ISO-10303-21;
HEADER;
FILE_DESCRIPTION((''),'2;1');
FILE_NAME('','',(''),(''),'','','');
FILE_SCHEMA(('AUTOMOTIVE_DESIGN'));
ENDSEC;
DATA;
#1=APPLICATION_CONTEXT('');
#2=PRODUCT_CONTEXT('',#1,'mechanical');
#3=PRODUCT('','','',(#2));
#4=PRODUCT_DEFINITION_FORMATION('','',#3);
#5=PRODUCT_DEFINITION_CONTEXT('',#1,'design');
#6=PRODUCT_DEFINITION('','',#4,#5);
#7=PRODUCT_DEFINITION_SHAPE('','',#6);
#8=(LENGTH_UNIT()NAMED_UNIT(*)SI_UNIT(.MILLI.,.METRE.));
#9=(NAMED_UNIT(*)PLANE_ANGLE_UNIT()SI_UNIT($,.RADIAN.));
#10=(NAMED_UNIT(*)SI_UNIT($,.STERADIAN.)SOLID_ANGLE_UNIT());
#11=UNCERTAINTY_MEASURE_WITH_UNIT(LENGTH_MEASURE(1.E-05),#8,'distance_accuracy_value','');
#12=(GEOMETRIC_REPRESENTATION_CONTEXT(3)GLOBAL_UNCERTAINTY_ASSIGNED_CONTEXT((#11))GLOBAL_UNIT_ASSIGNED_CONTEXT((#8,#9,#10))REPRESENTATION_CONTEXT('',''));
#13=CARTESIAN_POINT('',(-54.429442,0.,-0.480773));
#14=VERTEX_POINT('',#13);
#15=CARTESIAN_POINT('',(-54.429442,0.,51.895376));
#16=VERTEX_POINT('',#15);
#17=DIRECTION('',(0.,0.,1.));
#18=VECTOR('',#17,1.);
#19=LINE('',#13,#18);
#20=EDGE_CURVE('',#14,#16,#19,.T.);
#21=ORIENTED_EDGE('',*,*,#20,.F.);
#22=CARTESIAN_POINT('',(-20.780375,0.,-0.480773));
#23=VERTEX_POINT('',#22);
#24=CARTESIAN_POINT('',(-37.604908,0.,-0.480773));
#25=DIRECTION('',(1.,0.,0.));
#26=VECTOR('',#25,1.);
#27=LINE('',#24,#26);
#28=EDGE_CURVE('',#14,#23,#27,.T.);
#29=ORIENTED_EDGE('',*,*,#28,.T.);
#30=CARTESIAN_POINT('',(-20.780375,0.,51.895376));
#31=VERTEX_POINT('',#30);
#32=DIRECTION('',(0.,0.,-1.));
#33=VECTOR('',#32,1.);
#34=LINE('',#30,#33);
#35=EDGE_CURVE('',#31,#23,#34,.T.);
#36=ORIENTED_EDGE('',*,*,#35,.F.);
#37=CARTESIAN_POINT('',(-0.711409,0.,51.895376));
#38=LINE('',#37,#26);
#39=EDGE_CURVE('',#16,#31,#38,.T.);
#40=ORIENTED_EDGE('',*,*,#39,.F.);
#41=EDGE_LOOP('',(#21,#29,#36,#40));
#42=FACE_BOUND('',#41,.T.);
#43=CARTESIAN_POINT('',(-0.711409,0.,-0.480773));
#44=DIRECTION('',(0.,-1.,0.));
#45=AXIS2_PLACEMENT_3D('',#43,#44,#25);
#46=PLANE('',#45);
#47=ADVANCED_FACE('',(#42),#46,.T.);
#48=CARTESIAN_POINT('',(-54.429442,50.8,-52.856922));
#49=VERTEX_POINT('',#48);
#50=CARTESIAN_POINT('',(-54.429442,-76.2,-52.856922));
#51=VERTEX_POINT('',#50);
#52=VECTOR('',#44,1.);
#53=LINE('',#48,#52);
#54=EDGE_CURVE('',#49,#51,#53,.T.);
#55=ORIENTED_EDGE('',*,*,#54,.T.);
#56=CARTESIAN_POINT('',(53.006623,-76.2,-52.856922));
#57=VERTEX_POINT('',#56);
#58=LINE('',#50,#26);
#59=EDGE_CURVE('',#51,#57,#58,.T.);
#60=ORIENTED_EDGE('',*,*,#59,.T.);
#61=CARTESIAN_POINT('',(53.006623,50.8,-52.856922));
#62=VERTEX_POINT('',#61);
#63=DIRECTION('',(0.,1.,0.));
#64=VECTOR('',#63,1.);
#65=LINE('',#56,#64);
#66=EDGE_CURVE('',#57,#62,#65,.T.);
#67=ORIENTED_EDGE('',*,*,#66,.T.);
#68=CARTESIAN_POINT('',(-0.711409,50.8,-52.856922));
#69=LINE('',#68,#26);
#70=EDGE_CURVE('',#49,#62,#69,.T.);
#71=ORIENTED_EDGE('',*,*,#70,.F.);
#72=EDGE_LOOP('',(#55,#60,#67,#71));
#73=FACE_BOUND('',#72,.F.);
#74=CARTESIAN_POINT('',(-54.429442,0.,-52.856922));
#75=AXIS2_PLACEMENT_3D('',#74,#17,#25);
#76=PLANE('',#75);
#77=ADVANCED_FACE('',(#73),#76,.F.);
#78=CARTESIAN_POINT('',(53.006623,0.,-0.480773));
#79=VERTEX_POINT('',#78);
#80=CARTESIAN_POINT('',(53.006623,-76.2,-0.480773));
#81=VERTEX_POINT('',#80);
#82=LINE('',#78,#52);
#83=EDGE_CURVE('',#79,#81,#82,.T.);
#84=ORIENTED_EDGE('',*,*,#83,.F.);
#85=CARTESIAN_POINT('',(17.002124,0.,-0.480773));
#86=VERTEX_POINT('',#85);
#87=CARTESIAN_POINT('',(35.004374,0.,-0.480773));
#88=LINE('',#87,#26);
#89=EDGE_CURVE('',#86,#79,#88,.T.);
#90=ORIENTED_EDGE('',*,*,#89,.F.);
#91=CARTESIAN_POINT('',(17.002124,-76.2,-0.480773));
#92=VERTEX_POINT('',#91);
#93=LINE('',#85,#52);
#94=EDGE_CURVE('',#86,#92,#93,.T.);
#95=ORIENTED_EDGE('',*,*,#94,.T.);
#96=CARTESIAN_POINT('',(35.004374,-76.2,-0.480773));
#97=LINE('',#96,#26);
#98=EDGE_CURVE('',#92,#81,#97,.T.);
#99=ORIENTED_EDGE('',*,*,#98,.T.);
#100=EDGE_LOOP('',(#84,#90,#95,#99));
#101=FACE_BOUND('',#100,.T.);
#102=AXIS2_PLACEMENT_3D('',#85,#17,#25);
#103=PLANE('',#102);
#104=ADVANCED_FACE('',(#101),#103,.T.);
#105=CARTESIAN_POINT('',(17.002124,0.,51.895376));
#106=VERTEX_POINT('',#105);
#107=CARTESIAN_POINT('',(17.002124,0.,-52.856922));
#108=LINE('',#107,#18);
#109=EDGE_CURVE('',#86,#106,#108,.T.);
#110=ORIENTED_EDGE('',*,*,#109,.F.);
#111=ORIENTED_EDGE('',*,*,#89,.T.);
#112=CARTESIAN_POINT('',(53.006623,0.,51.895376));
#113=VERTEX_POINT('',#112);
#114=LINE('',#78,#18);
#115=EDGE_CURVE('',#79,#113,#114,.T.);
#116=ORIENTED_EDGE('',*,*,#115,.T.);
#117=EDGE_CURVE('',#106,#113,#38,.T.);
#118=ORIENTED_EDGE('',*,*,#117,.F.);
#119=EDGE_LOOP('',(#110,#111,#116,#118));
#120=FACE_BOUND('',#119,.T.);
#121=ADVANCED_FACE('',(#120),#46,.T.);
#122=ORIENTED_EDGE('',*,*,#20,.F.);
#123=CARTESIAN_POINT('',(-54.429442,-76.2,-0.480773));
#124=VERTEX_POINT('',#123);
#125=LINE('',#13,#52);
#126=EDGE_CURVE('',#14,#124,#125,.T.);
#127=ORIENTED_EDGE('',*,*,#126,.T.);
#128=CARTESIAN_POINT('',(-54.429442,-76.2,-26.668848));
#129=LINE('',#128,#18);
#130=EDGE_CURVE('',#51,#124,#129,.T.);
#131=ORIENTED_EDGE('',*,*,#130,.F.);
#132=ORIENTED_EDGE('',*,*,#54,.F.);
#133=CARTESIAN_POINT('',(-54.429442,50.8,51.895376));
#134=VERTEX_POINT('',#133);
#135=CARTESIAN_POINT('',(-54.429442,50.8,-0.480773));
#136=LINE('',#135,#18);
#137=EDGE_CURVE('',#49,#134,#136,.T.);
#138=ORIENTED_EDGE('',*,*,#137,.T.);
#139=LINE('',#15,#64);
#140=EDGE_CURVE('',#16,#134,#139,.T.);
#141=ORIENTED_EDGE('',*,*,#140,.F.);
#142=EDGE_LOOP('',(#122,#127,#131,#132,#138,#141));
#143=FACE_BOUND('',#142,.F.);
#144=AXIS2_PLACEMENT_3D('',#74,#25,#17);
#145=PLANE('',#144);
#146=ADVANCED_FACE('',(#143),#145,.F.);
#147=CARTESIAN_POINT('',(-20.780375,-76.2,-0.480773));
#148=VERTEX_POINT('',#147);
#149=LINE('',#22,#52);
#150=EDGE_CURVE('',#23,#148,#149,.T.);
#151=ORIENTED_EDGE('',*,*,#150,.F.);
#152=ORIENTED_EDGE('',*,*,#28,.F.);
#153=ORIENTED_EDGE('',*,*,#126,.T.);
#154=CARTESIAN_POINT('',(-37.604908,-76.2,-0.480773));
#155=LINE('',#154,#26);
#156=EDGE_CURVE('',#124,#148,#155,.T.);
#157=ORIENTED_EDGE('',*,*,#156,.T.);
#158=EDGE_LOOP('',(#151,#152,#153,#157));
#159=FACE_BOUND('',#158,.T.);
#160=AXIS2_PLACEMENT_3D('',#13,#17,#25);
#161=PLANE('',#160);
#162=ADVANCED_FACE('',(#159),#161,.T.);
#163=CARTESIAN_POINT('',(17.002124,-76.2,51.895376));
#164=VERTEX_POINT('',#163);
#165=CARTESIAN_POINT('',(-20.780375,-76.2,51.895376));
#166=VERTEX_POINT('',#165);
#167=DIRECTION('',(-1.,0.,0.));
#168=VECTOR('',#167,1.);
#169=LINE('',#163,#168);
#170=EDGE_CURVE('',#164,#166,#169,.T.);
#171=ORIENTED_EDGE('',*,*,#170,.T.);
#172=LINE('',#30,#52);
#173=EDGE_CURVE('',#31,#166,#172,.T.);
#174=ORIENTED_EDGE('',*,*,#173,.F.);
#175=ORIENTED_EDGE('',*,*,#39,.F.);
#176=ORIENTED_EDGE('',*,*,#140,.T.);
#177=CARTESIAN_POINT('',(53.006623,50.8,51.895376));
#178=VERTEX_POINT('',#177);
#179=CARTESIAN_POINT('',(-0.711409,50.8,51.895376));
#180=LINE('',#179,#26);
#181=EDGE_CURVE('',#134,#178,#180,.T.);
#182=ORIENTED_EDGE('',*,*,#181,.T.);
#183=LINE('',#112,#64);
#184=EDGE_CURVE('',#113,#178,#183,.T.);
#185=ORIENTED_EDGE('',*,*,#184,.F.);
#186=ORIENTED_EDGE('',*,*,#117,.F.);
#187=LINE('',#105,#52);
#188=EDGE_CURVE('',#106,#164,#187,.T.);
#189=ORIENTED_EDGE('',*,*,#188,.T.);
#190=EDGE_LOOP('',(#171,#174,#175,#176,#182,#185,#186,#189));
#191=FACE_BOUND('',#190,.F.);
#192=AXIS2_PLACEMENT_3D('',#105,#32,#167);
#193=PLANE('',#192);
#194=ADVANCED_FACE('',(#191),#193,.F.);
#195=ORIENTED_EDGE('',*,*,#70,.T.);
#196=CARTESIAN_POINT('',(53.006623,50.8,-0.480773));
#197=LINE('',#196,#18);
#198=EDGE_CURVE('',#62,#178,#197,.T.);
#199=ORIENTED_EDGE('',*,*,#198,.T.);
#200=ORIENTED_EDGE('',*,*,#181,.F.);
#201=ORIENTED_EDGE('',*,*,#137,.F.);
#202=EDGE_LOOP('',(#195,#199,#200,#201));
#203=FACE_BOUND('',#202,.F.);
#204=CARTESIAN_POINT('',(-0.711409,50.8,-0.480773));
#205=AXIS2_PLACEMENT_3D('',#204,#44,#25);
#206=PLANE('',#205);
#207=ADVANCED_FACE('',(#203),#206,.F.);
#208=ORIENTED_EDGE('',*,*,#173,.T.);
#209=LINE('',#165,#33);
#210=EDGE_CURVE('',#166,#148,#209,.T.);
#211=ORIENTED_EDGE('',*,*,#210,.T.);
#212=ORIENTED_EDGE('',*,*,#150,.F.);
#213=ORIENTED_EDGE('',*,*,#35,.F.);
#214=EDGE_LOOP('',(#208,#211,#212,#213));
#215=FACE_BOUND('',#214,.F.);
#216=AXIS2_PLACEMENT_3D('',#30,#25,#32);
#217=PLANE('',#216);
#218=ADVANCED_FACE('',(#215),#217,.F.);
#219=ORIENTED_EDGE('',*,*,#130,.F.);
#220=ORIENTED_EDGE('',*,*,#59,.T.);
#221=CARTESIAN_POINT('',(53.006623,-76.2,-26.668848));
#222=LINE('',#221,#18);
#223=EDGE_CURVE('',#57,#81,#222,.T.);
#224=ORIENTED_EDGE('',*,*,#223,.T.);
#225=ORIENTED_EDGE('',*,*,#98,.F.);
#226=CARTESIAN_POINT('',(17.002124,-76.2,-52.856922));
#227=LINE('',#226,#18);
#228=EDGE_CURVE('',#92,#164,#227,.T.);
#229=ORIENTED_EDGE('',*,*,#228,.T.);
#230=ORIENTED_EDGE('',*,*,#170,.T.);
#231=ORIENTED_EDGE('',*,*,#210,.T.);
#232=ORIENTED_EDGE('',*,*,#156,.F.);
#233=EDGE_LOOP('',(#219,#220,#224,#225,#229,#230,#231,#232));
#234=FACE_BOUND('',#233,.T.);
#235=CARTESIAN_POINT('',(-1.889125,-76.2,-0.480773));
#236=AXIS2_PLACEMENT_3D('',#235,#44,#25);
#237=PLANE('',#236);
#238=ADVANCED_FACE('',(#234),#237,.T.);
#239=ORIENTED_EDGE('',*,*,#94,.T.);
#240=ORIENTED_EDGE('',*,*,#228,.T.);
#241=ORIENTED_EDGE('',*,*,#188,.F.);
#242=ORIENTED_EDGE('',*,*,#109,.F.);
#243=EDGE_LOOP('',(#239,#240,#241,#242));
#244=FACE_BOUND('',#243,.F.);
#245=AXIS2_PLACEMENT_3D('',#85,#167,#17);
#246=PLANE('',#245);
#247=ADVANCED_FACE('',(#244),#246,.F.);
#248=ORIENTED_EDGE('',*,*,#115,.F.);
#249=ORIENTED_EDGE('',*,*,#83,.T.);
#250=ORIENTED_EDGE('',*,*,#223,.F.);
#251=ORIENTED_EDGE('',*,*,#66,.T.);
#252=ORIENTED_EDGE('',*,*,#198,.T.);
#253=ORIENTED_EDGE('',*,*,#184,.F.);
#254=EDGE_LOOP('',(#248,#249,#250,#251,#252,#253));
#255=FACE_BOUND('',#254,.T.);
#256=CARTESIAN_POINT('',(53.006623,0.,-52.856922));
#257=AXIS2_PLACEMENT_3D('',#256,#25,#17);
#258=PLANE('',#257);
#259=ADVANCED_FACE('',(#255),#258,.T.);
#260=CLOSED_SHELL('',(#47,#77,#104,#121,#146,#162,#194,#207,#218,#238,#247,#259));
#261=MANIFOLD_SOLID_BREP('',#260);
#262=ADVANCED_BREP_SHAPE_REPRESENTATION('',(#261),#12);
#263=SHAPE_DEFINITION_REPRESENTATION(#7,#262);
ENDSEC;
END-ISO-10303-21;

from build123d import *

# Parameters (mm, degrees)
F0_W     = 107.4360646307
F0_H     = 104.7522984445
F1_DEPTH = 50.8
F2_W     = 36.004498601
F2_H     = 52.3761492223
F2_W_2   = 33.6490664631
F3_DEPTH = 76.2


with BuildPart() as f1:
    # F0 (on Front) → F1 (new body)
    with BuildSketch(Plane.XZ):
        with Locations((-0.7114093751, -0.4807729274)):
            Rectangle(F0_W, F0_H)
    extrude(amount=-F1_DEPTH)

    # F2 (on face) → F3 (join)
    with BuildSketch(Plane.XZ):
        Polygon((17.0021243393, 51.8953762949), (-20.7803752273, 51.8953762949), (-20.7803752273, -0.4807729274), (-20.7803752273, -52.8569221497), (17.0021243393, -52.8569221497), (17.0021243393, -0.4807729274), align=None)
        with Locations((35.0043736398, -26.6688475385)):
            Rectangle(F2_W, F2_H)
        with Locations((-37.6049084589, -26.6688475385)):
            Rectangle(F2_W_2, F2_H)
    extrude(amount=F3_DEPTH)


solid = f1.part
